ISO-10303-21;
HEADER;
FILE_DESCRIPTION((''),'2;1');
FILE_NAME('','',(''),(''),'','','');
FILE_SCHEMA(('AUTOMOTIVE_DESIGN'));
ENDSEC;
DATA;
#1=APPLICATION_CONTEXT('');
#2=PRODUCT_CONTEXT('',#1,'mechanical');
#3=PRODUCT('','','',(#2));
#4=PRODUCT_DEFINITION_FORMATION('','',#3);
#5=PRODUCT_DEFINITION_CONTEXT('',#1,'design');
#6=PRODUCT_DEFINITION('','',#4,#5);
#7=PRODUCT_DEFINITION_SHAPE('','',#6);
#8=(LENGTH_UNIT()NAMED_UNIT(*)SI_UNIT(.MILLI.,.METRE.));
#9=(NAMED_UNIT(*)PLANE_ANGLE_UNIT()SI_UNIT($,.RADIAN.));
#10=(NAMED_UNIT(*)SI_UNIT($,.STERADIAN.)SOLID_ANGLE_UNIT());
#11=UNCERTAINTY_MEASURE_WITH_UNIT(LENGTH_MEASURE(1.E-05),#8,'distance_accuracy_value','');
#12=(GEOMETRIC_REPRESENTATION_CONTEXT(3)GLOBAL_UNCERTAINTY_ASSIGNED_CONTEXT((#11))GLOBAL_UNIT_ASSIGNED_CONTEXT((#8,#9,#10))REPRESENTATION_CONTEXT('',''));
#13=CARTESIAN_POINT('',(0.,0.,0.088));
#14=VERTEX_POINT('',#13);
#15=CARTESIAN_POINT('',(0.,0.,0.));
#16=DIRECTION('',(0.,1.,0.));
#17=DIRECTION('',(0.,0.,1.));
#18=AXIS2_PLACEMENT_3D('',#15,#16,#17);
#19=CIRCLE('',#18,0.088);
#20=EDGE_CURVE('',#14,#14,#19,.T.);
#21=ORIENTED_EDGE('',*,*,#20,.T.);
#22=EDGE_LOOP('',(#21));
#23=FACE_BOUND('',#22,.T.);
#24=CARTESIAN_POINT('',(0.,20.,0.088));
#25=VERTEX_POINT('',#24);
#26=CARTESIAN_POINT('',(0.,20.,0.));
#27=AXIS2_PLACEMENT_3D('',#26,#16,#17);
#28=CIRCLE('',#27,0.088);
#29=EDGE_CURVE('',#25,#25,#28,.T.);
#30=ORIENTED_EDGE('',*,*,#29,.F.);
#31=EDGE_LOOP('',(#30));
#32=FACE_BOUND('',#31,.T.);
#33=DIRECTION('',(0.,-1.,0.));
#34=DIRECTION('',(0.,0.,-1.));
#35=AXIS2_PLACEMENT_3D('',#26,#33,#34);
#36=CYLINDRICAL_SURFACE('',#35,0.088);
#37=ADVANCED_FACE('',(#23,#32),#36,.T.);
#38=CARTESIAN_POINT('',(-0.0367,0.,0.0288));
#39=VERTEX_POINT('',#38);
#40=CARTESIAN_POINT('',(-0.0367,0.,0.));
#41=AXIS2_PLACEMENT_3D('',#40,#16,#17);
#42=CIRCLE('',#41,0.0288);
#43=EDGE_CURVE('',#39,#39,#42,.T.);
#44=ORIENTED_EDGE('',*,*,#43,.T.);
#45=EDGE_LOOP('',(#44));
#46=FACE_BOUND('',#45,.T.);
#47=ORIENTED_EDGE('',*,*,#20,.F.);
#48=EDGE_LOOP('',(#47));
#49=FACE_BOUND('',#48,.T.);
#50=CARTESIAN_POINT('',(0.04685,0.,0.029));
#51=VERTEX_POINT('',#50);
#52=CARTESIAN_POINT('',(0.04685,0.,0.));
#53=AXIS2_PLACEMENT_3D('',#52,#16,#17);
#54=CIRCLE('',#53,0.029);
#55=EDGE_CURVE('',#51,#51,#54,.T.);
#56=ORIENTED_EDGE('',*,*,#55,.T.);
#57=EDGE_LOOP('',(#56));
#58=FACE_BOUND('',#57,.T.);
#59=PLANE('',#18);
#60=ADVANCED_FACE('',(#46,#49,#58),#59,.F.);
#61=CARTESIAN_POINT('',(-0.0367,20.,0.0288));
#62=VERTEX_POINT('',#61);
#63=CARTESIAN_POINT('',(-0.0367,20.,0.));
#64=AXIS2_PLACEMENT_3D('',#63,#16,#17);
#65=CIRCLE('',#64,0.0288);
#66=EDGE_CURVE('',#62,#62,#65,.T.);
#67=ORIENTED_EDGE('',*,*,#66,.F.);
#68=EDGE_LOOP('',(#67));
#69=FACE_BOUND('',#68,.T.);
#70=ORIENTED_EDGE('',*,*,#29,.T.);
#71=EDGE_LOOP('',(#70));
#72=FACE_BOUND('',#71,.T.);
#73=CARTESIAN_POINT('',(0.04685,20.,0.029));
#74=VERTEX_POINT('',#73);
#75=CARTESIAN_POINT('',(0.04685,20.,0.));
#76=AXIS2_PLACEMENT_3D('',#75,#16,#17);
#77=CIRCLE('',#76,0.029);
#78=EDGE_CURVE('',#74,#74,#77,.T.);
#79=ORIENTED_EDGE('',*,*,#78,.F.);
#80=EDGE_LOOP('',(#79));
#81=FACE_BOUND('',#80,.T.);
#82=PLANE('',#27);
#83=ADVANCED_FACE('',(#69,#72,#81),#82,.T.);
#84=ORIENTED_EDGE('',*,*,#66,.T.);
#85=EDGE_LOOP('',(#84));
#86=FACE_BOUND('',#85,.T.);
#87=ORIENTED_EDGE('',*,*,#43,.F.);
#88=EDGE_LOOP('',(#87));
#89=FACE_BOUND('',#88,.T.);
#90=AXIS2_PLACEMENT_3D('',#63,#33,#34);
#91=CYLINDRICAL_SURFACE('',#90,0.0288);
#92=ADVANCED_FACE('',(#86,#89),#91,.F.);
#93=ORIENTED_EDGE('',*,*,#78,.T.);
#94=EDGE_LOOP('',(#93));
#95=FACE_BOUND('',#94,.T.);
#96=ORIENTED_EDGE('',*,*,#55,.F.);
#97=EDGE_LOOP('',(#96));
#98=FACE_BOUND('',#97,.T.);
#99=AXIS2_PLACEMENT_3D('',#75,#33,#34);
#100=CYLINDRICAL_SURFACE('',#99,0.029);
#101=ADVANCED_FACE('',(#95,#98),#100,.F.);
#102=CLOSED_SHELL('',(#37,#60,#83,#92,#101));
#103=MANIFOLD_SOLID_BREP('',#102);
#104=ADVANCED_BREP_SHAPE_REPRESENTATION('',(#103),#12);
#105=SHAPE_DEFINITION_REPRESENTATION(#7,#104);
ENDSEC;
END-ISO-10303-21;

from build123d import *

# Parameters (mm, degrees)
BODY_EXTRUDE_DEPTH = 20


with BuildPart() as part:
    # CROSS SECTION → Body Extrude (new body)
    with BuildSketch(Plane(origin=(0, 0, 0), x_dir=(1, 0, 0), z_dir=(0, 1, 0))):
        with BuildLine():
            ThreePointArc((0.01785, 0), (0.04685, 0.029), (0.07585, 0))
            Line((0.07585, 0), (0.088, 0))
            ThreePointArc((0.088, 0), (0, 0.088), (-0.088, 0))
            Line((-0.088, 0), (-0.0655, 0))
            ThreePointArc((-0.0655, 0), (-0.0367, 0.0288), (-0.0079, 0))
            Line((-0.0079, 0), (-0.00556, 0))
            add(Edge.make_bspline(
                [(-0.00025, 0), (-0.00025, 0.00366), (-0.002905, 0.00366), (-0.00556, 0.00366), (-0.00556, 0)],
                knots=[1.570796327, 1.570796327, 1.570796327, 3.141592654, 3.141592654, 4.71238898, 4.71238898, 4.71238898], degree=2, weights=[1, 0.707106781, 1, 0.707106781, 1]))
            Line((-0.00025, 0), (0.01785, 0))
        make_face()
        with BuildLine():
            Line((0.088, 0), (0.07585, 0))
            ThreePointArc((0.07585, 0), (0.04685, -0.029), (0.01785, 0))
            Line((0.01785, 0), (-0.00025, 0))
            add(Edge.make_bspline(
                [(-0.002905, -0.00366), (-0.00025, -0.00366), (-0.00025, 0)],
                knots=[0, 0, 0, 1.570796327, 1.570796327, 1.570796327], degree=2, weights=[1, 0.707106781, 1]))
            add(Edge.make_bspline(
                [(-0.00556, 0), (-0.00556, -0.00366), (-0.002905, -0.00366)],
                knots=[4.71238898, 4.71238898, 4.71238898, 6.283185307, 6.283185307, 6.283185307], degree=2, weights=[1, 0.707106781, 1]))
            Line((-0.00556, 0), (-0.0079, 0))
            ThreePointArc((-0.0079, 0), (-0.0367, -0.0288), (-0.0655, 0))
            Line((-0.0655, 0), (-0.088, 0))
            ThreePointArc((-0.088, 0), (0, -0.088), (0.088, 0))
        make_face()
        with BuildLine():
            add(Edge.make_bspline(
                [(-0.002905, -0.00366), (-0.00025, -0.00366), (-0.00025, 0)],
                knots=[0, 0, 0, 1.570796327, 1.570796327, 1.570796327], degree=2, weights=[1, 0.707106781, 1]))
            Line((-0.00025, 0), (-0.00556, 0))
            add(Edge.make_bspline(
                [(-0.00556, 0), (-0.00556, -0.00366), (-0.002905, -0.00366)],
                knots=[4.71238898, 4.71238898, 4.71238898, 6.283185307, 6.283185307, 6.283185307], degree=2, weights=[1, 0.707106781, 1]))
        make_face()
        with BuildLine():
            Line((-0.00556, 0), (-0.00025, 0))
            add(Edge.make_bspline(
                [(-0.00025, 0), (-0.00025, 0.00366), (-0.002905, 0.00366), (-0.00556, 0.00366), (-0.00556, 0)],
                knots=[1.570796327, 1.570796327, 1.570796327, 3.141592654, 3.141592654, 4.71238898, 4.71238898, 4.71238898], degree=2, weights=[1, 0.707106781, 1, 0.707106781, 1]))
        make_face()
    extrude(amount=BODY_EXTRUDE_DEPTH)


solid = part.part
